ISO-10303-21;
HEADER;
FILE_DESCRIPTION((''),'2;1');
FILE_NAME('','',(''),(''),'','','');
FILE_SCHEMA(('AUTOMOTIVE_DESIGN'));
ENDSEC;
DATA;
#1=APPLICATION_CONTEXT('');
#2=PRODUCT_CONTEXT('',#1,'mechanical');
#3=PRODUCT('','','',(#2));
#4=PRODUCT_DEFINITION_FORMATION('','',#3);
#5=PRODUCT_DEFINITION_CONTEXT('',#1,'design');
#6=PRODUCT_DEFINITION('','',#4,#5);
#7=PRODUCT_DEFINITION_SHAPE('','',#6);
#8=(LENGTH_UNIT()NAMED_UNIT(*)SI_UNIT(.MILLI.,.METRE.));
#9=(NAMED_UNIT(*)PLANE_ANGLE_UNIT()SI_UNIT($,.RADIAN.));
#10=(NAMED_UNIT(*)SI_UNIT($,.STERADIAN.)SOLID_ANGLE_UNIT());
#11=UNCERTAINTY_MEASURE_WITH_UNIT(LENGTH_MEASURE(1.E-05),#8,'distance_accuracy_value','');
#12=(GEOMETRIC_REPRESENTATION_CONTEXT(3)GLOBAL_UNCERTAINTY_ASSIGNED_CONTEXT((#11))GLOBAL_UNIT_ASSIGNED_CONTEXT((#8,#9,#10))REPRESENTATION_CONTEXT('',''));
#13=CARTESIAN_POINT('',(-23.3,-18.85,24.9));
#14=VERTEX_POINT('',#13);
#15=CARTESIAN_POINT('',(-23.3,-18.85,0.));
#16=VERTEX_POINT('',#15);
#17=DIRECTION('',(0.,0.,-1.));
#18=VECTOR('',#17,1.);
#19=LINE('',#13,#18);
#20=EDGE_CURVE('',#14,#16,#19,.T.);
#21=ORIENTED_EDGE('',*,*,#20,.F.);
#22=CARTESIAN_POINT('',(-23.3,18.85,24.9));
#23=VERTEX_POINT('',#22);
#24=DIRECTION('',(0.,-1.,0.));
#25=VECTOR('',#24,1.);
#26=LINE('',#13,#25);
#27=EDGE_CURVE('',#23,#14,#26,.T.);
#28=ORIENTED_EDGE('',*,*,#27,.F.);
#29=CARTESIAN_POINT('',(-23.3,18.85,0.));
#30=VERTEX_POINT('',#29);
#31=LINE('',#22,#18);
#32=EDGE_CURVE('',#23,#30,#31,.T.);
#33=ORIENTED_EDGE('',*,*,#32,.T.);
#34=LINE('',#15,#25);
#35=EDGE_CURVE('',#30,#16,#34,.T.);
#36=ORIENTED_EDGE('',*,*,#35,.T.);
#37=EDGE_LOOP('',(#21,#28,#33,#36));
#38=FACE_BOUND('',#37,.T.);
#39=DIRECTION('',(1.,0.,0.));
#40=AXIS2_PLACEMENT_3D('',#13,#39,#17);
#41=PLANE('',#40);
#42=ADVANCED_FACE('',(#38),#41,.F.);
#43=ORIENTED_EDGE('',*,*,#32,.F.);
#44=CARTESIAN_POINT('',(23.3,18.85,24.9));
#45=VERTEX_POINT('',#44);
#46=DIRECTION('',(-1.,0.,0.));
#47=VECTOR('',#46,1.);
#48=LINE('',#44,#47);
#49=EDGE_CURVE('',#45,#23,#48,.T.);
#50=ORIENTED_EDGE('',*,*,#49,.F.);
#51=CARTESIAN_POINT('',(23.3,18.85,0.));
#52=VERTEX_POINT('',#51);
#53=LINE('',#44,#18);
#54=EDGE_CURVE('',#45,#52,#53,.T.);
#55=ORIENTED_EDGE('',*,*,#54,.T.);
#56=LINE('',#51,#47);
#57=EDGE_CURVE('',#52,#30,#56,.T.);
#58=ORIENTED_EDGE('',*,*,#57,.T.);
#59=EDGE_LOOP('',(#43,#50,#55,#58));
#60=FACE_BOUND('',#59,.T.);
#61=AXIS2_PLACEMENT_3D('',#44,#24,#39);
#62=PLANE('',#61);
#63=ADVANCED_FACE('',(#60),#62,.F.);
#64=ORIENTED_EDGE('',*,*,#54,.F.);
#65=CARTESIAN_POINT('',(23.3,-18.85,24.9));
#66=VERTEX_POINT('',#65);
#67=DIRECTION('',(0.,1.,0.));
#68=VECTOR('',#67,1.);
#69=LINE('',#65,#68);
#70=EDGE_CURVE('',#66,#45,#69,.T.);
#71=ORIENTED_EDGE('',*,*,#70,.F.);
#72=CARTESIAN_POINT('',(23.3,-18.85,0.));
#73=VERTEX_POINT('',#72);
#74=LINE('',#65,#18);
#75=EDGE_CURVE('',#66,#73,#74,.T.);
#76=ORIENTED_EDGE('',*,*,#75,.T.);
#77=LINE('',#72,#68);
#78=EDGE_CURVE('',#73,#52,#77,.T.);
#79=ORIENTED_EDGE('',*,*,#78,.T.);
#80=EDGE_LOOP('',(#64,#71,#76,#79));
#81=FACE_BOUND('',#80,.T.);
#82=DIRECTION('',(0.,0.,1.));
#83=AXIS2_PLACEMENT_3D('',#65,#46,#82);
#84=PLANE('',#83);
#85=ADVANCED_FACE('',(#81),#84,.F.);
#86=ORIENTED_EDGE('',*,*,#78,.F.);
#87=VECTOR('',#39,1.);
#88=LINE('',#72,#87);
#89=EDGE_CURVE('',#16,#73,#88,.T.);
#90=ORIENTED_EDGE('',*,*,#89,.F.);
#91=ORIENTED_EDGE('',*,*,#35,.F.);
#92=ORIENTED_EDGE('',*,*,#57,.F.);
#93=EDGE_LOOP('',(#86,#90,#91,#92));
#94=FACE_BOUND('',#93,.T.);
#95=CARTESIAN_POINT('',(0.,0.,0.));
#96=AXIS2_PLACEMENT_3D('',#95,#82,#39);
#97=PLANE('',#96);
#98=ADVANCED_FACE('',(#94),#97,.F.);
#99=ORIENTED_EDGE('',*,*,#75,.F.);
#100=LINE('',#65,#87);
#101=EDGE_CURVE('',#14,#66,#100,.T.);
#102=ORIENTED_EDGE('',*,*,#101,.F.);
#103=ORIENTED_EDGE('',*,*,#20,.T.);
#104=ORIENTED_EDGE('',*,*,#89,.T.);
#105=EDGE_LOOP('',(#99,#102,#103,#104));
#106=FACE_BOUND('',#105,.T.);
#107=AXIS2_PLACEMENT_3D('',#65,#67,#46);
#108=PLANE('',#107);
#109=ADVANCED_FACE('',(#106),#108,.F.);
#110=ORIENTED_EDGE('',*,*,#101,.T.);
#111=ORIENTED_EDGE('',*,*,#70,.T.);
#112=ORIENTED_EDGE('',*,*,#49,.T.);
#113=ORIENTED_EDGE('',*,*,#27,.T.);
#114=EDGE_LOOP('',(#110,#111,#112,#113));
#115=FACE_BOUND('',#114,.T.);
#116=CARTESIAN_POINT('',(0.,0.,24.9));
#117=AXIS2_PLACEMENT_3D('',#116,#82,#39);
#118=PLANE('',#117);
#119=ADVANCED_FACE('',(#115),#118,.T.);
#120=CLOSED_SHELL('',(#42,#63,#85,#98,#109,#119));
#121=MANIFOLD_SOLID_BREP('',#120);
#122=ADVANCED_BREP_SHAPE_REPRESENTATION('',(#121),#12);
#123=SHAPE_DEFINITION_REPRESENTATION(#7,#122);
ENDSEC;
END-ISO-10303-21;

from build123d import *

# Parameters (mm, degrees)
SKETCH1_W           = 46.6
SKETCH1_H           = 37.7
BOSS_EXTRUDE1_DEPTH = 24.9


with BuildPart() as part:
    # Sketch1 → Boss-Extrude1 (new body)
    with BuildSketch(Plane.XY):
        Rectangle(SKETCH1_W, SKETCH1_H)
    extrude(amount=BOSS_EXTRUDE1_DEPTH)


solid = part.part
